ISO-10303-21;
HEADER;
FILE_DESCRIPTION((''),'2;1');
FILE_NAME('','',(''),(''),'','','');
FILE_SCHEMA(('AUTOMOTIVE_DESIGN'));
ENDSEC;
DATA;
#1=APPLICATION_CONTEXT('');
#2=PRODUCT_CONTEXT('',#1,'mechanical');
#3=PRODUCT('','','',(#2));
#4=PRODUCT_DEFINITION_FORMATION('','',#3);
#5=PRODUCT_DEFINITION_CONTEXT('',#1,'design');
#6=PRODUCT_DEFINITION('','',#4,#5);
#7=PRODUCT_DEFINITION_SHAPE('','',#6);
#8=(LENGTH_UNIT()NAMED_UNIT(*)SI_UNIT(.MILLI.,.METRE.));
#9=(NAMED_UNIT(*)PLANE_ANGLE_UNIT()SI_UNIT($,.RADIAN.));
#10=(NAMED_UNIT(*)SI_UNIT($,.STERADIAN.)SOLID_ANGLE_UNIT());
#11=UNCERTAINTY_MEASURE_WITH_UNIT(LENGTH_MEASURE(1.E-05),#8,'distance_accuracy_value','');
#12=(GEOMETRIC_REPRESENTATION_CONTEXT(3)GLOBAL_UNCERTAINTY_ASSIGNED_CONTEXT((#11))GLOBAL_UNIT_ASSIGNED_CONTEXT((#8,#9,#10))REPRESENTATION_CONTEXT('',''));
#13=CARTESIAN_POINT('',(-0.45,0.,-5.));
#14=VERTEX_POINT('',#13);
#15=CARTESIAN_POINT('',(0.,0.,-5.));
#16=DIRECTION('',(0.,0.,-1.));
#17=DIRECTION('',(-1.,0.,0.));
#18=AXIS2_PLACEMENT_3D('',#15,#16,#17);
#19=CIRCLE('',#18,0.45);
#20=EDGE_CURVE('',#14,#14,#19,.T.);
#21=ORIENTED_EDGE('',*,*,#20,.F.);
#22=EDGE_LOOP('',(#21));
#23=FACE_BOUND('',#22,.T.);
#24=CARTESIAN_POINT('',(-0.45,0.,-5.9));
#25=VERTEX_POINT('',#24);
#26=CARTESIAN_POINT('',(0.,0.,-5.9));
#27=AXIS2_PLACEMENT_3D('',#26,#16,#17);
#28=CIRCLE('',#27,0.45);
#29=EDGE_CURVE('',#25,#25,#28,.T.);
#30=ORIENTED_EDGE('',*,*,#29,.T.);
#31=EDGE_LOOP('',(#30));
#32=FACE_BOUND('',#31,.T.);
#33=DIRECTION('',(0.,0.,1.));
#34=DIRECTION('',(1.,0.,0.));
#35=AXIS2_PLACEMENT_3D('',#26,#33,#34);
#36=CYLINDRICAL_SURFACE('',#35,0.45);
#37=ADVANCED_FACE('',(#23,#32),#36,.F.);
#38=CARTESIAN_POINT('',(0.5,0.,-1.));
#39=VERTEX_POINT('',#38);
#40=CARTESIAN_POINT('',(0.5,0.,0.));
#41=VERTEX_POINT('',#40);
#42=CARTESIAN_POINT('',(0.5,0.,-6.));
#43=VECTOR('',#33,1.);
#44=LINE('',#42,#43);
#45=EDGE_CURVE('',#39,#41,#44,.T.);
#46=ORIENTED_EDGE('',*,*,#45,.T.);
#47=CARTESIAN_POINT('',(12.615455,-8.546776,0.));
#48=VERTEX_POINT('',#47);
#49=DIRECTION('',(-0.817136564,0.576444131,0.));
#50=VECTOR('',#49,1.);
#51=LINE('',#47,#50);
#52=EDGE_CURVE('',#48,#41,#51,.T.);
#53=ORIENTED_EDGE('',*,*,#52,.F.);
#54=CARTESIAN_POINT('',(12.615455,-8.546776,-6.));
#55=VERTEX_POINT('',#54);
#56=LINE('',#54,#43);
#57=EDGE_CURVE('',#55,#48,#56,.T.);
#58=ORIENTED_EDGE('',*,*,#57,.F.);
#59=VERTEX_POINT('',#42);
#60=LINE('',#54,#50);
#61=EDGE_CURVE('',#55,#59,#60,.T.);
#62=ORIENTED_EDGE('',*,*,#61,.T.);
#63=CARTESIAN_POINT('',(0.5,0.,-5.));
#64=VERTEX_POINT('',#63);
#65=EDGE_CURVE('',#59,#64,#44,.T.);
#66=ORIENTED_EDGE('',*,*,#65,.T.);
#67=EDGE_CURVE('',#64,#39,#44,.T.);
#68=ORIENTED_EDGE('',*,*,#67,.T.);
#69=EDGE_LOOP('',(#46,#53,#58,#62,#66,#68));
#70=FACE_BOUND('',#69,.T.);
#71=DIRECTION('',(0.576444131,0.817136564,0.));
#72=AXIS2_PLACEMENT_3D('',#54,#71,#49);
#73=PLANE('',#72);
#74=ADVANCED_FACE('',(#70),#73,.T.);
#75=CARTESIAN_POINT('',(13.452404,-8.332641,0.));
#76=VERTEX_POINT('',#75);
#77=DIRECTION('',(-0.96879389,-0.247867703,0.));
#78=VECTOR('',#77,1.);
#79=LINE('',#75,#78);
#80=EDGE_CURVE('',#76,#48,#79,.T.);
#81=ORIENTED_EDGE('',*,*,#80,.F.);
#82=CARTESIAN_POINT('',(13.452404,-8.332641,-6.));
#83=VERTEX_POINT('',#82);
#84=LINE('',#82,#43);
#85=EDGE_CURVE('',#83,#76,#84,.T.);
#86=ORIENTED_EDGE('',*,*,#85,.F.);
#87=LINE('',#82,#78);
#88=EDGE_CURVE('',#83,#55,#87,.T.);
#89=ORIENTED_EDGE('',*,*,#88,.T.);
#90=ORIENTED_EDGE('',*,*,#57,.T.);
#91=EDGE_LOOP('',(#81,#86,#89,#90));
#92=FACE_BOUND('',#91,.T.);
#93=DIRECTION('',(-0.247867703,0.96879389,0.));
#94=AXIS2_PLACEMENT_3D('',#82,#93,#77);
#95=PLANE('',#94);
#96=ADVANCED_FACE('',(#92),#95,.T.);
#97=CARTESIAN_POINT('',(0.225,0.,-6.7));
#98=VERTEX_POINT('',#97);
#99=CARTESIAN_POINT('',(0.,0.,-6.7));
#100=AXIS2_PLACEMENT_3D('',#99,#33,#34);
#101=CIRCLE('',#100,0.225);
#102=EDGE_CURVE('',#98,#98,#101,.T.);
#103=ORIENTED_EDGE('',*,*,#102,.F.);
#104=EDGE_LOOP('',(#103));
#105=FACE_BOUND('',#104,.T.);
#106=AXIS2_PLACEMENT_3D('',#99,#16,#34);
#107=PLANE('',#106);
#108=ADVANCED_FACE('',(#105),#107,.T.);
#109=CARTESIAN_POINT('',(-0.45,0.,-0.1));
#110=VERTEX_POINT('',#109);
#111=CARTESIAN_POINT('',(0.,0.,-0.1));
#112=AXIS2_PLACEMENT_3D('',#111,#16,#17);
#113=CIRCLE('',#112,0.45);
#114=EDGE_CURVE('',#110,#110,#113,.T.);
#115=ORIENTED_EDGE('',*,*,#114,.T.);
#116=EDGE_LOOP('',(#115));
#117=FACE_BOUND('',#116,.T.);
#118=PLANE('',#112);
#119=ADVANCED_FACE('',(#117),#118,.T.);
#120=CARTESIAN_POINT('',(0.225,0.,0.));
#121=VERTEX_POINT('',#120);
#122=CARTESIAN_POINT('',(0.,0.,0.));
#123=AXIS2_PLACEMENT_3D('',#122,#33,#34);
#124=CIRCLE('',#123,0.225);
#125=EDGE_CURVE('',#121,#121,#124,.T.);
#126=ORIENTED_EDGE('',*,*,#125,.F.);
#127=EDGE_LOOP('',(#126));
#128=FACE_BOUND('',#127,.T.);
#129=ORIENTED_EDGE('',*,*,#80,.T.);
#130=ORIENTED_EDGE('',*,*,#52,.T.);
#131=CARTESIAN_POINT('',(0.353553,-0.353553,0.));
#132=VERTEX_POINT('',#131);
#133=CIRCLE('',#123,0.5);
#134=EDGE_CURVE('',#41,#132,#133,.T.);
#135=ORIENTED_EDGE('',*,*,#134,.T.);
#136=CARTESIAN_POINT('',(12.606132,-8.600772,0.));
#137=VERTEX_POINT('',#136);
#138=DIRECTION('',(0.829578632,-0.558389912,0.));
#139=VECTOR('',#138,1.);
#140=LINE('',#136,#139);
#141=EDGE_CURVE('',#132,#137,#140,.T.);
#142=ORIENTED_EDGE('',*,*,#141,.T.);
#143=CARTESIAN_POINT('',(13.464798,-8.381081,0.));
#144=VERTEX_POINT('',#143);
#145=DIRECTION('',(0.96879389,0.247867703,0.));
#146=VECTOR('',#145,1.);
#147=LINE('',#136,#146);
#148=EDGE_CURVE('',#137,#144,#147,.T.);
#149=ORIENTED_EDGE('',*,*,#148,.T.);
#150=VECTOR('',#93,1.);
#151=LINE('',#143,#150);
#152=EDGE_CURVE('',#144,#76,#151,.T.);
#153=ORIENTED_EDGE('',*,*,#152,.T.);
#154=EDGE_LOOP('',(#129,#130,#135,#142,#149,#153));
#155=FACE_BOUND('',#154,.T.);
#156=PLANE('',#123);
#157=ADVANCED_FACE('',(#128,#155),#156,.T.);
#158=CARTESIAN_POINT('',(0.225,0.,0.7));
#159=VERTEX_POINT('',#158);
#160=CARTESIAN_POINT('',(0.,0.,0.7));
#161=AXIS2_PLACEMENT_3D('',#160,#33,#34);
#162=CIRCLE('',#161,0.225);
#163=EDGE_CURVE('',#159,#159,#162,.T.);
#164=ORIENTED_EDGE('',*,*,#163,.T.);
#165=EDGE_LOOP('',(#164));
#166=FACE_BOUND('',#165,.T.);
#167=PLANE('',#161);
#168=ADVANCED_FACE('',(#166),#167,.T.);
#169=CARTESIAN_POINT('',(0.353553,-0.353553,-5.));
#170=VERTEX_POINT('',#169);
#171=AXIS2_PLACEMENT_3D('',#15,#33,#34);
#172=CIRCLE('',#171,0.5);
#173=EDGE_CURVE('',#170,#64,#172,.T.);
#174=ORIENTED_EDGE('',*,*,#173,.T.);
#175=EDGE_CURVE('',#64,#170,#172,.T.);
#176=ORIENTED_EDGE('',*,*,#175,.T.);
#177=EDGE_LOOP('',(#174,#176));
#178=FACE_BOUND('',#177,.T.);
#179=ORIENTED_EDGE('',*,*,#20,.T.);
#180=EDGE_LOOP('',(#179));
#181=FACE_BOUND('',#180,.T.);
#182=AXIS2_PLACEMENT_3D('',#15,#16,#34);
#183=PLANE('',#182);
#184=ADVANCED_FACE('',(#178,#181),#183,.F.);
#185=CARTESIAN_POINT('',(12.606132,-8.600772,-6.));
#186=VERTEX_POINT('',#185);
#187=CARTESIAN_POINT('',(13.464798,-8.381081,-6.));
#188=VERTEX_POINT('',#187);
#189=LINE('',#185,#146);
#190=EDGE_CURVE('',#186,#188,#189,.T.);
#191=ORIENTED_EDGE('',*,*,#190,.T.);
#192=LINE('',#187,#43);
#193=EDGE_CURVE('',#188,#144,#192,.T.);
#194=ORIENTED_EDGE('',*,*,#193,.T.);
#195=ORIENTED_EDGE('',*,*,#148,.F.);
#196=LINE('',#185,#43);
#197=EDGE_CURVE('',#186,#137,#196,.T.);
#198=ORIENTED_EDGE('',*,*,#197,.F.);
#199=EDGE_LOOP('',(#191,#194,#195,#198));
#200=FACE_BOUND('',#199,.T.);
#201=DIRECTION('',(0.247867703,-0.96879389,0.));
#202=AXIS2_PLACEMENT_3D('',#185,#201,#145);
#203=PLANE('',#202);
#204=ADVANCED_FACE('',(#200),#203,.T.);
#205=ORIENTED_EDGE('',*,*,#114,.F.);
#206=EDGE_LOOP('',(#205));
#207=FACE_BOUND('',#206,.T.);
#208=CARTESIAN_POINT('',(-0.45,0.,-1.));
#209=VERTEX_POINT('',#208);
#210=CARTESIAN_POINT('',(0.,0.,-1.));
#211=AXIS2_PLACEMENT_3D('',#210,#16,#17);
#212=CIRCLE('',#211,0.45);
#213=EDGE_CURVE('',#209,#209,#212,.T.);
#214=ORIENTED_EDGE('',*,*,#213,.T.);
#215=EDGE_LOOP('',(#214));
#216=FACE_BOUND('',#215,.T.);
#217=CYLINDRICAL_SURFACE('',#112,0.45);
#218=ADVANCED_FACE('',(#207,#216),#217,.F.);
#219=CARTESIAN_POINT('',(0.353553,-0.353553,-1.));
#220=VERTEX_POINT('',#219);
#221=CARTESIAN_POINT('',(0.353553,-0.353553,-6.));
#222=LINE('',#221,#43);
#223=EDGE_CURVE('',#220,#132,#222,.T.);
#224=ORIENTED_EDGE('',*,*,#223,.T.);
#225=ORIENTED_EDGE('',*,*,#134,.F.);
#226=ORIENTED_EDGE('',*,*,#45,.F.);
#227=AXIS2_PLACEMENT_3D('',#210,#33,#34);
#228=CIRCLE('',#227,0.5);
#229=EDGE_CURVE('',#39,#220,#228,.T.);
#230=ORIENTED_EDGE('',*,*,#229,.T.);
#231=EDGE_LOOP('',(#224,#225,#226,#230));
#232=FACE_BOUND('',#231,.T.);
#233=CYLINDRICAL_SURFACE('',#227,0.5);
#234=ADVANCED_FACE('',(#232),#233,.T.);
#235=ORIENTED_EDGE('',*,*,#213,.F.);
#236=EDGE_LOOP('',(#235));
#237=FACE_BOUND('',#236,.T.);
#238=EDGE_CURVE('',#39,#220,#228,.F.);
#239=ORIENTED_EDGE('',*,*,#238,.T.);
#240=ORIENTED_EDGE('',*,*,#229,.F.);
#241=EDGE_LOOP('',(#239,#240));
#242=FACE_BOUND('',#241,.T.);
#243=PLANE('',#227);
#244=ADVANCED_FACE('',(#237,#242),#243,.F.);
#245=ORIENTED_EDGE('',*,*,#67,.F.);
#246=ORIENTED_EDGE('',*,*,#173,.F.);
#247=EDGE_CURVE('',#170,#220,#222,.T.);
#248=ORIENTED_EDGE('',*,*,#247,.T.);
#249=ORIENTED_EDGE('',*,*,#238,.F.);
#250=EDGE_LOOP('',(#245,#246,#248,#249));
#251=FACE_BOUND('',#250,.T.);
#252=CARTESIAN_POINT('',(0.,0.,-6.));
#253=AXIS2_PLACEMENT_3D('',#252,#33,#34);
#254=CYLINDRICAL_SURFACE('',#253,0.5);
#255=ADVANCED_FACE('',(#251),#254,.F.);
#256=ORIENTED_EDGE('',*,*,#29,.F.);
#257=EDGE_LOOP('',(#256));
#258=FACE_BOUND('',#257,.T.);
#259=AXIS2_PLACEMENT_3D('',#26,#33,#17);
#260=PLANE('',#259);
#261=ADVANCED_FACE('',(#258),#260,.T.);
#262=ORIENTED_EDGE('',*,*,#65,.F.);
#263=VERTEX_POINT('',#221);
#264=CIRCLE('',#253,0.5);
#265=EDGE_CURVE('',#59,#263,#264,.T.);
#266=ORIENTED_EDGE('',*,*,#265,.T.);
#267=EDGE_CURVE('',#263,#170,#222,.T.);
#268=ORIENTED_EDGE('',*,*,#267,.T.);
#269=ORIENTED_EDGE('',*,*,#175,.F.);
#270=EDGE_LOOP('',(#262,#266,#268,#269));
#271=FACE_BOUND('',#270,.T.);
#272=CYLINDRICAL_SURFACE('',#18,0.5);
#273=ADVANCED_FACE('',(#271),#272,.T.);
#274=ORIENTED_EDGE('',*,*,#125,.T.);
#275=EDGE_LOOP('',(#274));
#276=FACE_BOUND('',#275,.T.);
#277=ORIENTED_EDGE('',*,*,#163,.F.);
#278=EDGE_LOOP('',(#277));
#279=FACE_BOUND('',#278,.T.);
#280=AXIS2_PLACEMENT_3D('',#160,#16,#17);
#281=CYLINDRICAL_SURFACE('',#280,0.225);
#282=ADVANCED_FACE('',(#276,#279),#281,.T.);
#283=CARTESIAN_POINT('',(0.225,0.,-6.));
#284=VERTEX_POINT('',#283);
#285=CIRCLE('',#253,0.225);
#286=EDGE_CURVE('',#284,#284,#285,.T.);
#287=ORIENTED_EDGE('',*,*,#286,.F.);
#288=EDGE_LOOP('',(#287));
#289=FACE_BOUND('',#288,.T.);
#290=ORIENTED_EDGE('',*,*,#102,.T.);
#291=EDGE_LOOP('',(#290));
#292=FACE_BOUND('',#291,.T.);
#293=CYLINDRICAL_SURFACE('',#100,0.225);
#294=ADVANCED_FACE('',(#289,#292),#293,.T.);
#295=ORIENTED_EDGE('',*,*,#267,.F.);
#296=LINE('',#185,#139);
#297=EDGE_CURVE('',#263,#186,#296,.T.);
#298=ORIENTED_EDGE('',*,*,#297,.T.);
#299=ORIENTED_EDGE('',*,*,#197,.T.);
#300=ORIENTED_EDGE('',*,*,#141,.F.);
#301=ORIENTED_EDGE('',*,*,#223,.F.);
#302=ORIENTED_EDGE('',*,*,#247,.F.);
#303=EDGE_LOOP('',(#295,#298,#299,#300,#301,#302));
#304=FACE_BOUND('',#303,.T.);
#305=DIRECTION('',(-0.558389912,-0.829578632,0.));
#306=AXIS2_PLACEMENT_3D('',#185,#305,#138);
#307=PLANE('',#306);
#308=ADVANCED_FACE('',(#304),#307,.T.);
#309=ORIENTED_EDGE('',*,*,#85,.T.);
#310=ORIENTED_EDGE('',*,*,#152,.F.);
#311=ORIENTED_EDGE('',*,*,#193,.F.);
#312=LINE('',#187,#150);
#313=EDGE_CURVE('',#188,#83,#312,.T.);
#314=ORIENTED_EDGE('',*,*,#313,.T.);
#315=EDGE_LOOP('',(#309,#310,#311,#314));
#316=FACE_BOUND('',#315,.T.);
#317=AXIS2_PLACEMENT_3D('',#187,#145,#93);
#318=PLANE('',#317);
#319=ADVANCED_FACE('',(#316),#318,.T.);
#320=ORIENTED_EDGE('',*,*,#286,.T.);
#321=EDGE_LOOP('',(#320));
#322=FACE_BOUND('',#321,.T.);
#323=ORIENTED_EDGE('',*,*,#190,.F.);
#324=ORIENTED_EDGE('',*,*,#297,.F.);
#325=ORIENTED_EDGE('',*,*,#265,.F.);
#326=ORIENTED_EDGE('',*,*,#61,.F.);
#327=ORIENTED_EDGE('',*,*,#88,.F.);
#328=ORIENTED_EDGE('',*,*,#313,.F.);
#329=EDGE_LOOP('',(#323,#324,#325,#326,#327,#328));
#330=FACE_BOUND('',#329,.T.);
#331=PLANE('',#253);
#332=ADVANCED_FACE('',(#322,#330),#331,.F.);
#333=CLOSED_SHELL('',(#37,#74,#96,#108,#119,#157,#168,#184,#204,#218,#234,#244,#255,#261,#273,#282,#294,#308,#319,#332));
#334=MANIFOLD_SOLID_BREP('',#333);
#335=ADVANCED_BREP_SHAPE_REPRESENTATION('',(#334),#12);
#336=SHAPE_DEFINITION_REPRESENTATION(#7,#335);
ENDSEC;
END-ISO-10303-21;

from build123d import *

# Parameters (mm, degrees)
SKETCH1_R           = 0.5
BOSS_EXTRUDE1_DEPTH = 1
SKETCH2_R           = 0.45
CUT_EXTRUDE1_DEPTH  = 0.9
SKETCH3_R           = 0.225
BOSS_EXTRUDE2_DEPTH = 0.7
BOSS_EXTRUDE3_DEPTH = 6


with BuildPart() as part:
    # Sketch1 → Boss-Extrude1 (new body)
    with BuildSketch(Plane.XY):
        Circle(SKETCH1_R)
    boss_extrude1 = extrude(amount=-BOSS_EXTRUDE1_DEPTH)

    # Sketch2 → Cut-Extrude1 (cut)
    with BuildSketch(Plane(origin=(0, 0, -1), x_dir=(-1, 0, 0), z_dir=(0, 0, -1))):
        Circle(SKETCH2_R)
    cut_extrude1 = extrude(amount=-CUT_EXTRUDE1_DEPTH, mode=Mode.SUBTRACT)

    # Sketch3 → Boss-Extrude2 (add)
    with BuildSketch(Plane.XY):
        Circle(SKETCH3_R)
    boss_extrude2 = extrude(amount=BOSS_EXTRUDE2_DEPTH)

    # Sketch4 → Boss-Extrude3 (add)
    with BuildSketch(Plane.XY):
        with BuildLine():
            Line((12.615455291, -8.546775908), (0.5, 0))
            ThreePointArc((0.5, 0), (0.461939766, -0.191341716), (0.353553391, -0.353553391))
            Line((0.353553391, -0.353553391), (12.606131889, -8.600771882))
            Line((12.606131889, -8.600771882), (13.464797628, -8.38108067))
            Line((13.464797628, -8.38108067), (13.452404243, -8.332640975))
            Line((13.452404243, -8.332640975), (12.615455291, -8.546775908))
        make_face()
    extrude(amount=-BOSS_EXTRUDE3_DEPTH)

    # Mirror1: Boss-Extrude1, Cut-Extrude1, Boss-Extrude2 across plane
    add(boss_extrude1.mirror(Plane.XY.offset(-3)))
    add(cut_extrude1.mirror(Plane.XY.offset(-3)), mode=Mode.SUBTRACT)
    add(boss_extrude2.mirror(Plane.XY.offset(-3)))


solid = part.part
